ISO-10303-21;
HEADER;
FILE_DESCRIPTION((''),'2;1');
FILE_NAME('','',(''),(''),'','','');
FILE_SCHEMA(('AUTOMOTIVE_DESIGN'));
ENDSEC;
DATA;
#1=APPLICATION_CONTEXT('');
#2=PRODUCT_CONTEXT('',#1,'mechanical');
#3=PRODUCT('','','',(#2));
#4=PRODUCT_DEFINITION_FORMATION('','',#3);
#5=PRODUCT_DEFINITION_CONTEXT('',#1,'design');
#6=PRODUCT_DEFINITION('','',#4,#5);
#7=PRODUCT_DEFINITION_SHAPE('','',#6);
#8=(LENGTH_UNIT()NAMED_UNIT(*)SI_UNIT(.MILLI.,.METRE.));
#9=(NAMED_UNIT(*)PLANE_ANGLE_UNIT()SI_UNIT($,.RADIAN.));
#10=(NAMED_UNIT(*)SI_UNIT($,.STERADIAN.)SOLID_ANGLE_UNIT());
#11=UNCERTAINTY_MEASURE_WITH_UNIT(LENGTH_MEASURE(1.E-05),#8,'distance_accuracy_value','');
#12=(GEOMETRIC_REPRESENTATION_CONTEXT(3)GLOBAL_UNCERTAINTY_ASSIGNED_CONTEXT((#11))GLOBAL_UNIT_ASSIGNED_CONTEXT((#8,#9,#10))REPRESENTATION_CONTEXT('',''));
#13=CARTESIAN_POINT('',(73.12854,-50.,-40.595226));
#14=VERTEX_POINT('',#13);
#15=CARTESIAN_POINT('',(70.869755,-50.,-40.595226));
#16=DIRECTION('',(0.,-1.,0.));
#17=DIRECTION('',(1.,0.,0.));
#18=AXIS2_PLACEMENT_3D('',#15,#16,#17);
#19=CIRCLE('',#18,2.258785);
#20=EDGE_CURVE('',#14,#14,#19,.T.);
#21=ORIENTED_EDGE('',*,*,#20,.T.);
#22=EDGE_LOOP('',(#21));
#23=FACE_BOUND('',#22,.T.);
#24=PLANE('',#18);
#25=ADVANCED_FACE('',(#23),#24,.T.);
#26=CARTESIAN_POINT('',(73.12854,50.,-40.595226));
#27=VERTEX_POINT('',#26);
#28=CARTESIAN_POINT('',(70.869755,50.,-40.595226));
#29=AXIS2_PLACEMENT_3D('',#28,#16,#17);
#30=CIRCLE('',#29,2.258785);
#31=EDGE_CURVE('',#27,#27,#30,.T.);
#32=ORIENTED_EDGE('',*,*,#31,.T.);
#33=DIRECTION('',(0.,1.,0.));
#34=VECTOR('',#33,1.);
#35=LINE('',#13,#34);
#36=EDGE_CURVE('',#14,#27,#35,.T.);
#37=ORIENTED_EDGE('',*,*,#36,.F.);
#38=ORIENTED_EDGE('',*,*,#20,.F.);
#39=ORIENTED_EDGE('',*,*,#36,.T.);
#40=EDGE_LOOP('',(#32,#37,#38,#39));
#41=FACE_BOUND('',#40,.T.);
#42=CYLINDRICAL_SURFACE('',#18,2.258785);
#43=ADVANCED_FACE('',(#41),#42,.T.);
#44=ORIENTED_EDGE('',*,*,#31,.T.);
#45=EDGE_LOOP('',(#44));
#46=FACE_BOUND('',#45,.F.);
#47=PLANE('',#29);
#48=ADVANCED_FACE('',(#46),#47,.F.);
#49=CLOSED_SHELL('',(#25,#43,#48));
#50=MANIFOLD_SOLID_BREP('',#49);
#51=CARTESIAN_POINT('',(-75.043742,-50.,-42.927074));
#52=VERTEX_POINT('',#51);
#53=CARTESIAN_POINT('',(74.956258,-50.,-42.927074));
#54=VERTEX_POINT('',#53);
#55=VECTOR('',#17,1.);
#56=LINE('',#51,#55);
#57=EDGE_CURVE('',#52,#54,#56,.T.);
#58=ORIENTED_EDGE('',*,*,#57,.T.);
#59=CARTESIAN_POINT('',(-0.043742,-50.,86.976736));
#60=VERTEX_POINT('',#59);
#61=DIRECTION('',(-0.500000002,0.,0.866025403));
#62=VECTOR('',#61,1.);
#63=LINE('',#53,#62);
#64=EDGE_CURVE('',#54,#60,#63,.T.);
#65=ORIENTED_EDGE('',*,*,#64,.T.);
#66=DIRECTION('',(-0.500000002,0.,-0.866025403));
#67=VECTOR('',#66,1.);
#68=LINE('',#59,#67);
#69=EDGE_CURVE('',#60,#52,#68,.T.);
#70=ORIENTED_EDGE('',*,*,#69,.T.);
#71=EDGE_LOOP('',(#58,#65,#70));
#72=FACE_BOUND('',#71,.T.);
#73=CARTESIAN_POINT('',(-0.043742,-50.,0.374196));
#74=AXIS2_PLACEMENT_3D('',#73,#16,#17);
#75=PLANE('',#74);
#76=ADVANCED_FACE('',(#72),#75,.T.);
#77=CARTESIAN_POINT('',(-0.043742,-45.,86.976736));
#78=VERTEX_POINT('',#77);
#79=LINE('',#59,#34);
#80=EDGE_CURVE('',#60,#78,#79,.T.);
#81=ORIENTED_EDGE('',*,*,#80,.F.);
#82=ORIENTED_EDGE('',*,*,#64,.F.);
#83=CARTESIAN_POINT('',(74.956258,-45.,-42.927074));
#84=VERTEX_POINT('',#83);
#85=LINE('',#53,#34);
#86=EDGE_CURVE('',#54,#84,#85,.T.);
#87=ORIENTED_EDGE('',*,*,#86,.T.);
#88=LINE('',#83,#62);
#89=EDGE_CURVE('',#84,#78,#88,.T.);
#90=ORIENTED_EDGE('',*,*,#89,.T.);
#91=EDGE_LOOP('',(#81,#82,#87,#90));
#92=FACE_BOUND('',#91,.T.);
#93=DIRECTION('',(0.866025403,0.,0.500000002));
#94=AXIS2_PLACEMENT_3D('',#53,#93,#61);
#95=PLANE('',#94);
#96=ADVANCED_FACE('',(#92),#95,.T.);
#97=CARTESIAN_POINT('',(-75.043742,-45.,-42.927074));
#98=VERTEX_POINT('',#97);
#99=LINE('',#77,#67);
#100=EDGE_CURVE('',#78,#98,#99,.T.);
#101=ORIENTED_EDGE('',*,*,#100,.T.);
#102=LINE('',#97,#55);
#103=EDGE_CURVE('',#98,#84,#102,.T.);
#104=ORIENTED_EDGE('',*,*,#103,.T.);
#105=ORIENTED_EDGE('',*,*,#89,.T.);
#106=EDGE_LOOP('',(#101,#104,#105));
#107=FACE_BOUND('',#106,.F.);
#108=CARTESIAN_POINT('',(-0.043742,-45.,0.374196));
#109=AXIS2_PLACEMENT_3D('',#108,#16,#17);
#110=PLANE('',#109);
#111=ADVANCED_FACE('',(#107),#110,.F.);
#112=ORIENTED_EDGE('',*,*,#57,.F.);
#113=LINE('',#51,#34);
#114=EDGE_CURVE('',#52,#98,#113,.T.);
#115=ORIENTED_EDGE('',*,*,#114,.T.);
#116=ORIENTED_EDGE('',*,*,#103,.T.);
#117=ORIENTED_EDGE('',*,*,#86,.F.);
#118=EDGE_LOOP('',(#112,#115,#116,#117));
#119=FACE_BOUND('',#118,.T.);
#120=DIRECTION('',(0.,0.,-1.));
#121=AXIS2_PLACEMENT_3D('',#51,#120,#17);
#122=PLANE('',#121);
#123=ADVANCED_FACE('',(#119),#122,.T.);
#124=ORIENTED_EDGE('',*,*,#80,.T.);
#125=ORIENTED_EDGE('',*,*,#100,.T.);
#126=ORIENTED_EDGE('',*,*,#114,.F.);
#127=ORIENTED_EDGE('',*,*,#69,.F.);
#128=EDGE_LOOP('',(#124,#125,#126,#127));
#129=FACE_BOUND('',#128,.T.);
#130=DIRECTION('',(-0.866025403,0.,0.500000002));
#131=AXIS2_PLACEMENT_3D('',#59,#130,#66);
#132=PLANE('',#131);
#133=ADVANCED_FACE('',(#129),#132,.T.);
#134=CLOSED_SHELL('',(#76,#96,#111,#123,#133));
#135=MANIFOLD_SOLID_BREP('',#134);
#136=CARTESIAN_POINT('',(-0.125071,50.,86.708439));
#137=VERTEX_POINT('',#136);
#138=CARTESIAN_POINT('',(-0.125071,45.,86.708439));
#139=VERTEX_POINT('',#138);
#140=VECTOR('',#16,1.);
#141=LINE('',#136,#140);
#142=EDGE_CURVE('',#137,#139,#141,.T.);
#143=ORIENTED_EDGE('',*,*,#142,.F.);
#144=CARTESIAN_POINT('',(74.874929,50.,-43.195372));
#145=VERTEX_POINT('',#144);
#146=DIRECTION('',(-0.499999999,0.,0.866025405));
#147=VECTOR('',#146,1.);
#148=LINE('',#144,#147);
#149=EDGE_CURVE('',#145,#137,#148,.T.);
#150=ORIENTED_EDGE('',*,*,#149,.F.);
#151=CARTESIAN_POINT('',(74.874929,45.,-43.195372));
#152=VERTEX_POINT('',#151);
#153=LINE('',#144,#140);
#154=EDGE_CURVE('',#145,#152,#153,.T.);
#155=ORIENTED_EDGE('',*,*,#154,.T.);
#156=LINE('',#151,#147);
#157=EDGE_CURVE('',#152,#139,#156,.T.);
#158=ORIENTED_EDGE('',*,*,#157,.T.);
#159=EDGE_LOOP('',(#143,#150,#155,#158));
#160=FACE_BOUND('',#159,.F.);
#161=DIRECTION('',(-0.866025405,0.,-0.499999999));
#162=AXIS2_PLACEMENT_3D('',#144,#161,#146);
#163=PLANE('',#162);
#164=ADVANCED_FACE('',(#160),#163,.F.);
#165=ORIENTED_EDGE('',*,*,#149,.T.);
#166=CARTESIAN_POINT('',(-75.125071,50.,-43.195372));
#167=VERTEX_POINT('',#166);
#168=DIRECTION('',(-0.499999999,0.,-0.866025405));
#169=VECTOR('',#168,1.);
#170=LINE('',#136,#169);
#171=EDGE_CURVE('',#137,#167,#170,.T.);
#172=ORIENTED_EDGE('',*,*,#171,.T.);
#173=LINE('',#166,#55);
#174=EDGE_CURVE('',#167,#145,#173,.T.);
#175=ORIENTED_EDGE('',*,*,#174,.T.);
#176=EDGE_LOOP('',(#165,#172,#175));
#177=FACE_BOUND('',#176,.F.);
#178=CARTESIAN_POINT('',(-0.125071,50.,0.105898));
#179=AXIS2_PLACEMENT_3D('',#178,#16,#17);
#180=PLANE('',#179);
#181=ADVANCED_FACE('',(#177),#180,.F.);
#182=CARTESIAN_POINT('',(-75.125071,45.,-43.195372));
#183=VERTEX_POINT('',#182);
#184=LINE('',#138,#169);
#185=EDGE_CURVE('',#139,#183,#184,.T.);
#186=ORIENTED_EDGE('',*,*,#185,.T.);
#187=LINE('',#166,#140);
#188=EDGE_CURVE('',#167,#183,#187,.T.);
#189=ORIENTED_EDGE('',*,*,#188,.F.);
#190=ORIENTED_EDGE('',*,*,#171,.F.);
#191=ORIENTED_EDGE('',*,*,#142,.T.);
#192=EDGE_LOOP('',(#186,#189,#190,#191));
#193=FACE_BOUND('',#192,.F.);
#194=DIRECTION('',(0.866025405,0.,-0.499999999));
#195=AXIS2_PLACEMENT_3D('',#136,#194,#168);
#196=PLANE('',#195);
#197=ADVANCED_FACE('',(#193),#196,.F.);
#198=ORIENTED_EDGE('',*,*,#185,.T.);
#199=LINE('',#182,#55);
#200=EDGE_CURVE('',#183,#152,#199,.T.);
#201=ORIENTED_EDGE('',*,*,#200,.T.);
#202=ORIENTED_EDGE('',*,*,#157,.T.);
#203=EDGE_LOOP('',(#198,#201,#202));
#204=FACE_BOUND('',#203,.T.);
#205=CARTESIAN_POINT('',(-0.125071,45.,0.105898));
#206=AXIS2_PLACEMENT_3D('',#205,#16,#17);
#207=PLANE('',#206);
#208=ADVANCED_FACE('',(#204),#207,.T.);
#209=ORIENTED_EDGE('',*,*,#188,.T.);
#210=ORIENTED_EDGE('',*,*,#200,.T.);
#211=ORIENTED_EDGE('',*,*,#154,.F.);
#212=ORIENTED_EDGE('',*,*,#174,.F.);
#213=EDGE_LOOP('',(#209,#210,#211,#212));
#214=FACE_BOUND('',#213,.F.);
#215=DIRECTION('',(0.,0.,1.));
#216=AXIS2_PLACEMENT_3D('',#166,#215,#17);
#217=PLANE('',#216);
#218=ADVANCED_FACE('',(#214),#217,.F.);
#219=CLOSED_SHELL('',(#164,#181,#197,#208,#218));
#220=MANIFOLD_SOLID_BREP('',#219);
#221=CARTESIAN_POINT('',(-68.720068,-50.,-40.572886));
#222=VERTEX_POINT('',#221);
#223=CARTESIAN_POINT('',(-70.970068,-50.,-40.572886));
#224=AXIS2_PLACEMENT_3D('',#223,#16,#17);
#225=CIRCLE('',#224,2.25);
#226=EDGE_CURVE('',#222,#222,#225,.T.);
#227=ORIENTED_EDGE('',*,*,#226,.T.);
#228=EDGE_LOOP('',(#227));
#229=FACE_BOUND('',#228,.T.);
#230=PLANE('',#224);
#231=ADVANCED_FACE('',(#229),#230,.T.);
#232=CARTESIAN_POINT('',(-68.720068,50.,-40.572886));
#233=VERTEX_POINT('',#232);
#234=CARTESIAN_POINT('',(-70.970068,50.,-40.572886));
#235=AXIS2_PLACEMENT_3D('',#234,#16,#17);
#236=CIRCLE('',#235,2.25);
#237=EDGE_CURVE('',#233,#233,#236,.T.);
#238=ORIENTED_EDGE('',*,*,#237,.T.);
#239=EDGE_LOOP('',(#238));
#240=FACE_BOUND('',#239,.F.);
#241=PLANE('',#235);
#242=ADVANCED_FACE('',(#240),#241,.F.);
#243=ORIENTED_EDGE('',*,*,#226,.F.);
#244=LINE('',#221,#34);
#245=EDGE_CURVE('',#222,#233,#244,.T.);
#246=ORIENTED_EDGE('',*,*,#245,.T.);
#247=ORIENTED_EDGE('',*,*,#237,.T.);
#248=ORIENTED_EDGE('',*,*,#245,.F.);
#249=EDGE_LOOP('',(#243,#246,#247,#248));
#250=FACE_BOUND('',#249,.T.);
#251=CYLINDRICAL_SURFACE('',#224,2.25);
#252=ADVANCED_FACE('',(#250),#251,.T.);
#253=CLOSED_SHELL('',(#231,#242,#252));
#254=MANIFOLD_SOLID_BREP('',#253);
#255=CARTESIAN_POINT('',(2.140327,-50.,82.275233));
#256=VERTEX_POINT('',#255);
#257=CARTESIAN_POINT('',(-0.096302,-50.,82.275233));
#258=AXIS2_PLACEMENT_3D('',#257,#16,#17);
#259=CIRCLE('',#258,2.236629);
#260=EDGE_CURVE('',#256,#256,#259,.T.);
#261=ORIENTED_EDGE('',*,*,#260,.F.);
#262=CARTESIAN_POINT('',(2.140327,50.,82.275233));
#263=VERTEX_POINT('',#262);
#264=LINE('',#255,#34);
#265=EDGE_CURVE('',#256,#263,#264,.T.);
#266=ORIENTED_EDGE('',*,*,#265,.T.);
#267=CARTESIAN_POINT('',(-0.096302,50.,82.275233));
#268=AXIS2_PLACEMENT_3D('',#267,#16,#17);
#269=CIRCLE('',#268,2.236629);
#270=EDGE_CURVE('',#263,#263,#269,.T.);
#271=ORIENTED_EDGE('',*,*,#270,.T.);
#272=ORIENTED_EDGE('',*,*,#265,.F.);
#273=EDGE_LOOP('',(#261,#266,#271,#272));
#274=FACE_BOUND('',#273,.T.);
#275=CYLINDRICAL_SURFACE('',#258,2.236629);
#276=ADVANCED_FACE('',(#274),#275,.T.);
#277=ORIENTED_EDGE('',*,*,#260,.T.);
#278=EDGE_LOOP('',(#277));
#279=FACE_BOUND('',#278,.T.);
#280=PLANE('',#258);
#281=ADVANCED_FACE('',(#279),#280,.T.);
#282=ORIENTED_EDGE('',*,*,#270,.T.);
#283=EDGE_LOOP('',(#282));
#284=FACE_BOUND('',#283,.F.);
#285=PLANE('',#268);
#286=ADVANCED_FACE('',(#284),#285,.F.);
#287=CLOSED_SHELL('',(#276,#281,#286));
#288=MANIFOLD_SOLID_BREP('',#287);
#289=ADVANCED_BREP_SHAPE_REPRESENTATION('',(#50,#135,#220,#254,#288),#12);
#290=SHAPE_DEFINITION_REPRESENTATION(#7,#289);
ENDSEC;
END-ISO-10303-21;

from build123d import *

# Parameters (mm, degrees)
F4_DEPTH = 5
F5_DEPTH = 5
F6_R     = 2.236629
F6_R_2   = 2.25
F6_R_3   = 2.258785
F7_DEPTH = 100


with BuildPart() as f4:
    # F2 (on offset) → F4 (new body)
    with BuildSketch(Plane.XZ.offset(50)):
        Polygon((-0.043742, 86.976736), (-75.043742, -42.927074), (74.956258, -42.927074), align=None)
    extrude(amount=-F4_DEPTH)


with BuildPart() as f5:
    # F3 (on offset) → F5 (new body)
    with BuildSketch(Plane.XZ.offset(-50)):
        Polygon((-0.125071, 86.708439), (-75.125071, -43.195372), (74.874929, -43.195372), align=None)
    extrude(amount=F5_DEPTH)


with BuildPart() as f7:
    # F6 (on offset) → F7 (new body)
    with BuildSketch(Plane.XZ.offset(50)):
        with Locations((-0.096302, 82.275233)):
            Circle(F6_R)
        with Locations((-70.970068, -40.572886)):
            Circle(F6_R_2)
        with Locations((70.869755, -40.595226)):
            Circle(F6_R_3)
    extrude(amount=-F7_DEPTH)


solid = Compound([f4.part, f5.part, f7.part])
